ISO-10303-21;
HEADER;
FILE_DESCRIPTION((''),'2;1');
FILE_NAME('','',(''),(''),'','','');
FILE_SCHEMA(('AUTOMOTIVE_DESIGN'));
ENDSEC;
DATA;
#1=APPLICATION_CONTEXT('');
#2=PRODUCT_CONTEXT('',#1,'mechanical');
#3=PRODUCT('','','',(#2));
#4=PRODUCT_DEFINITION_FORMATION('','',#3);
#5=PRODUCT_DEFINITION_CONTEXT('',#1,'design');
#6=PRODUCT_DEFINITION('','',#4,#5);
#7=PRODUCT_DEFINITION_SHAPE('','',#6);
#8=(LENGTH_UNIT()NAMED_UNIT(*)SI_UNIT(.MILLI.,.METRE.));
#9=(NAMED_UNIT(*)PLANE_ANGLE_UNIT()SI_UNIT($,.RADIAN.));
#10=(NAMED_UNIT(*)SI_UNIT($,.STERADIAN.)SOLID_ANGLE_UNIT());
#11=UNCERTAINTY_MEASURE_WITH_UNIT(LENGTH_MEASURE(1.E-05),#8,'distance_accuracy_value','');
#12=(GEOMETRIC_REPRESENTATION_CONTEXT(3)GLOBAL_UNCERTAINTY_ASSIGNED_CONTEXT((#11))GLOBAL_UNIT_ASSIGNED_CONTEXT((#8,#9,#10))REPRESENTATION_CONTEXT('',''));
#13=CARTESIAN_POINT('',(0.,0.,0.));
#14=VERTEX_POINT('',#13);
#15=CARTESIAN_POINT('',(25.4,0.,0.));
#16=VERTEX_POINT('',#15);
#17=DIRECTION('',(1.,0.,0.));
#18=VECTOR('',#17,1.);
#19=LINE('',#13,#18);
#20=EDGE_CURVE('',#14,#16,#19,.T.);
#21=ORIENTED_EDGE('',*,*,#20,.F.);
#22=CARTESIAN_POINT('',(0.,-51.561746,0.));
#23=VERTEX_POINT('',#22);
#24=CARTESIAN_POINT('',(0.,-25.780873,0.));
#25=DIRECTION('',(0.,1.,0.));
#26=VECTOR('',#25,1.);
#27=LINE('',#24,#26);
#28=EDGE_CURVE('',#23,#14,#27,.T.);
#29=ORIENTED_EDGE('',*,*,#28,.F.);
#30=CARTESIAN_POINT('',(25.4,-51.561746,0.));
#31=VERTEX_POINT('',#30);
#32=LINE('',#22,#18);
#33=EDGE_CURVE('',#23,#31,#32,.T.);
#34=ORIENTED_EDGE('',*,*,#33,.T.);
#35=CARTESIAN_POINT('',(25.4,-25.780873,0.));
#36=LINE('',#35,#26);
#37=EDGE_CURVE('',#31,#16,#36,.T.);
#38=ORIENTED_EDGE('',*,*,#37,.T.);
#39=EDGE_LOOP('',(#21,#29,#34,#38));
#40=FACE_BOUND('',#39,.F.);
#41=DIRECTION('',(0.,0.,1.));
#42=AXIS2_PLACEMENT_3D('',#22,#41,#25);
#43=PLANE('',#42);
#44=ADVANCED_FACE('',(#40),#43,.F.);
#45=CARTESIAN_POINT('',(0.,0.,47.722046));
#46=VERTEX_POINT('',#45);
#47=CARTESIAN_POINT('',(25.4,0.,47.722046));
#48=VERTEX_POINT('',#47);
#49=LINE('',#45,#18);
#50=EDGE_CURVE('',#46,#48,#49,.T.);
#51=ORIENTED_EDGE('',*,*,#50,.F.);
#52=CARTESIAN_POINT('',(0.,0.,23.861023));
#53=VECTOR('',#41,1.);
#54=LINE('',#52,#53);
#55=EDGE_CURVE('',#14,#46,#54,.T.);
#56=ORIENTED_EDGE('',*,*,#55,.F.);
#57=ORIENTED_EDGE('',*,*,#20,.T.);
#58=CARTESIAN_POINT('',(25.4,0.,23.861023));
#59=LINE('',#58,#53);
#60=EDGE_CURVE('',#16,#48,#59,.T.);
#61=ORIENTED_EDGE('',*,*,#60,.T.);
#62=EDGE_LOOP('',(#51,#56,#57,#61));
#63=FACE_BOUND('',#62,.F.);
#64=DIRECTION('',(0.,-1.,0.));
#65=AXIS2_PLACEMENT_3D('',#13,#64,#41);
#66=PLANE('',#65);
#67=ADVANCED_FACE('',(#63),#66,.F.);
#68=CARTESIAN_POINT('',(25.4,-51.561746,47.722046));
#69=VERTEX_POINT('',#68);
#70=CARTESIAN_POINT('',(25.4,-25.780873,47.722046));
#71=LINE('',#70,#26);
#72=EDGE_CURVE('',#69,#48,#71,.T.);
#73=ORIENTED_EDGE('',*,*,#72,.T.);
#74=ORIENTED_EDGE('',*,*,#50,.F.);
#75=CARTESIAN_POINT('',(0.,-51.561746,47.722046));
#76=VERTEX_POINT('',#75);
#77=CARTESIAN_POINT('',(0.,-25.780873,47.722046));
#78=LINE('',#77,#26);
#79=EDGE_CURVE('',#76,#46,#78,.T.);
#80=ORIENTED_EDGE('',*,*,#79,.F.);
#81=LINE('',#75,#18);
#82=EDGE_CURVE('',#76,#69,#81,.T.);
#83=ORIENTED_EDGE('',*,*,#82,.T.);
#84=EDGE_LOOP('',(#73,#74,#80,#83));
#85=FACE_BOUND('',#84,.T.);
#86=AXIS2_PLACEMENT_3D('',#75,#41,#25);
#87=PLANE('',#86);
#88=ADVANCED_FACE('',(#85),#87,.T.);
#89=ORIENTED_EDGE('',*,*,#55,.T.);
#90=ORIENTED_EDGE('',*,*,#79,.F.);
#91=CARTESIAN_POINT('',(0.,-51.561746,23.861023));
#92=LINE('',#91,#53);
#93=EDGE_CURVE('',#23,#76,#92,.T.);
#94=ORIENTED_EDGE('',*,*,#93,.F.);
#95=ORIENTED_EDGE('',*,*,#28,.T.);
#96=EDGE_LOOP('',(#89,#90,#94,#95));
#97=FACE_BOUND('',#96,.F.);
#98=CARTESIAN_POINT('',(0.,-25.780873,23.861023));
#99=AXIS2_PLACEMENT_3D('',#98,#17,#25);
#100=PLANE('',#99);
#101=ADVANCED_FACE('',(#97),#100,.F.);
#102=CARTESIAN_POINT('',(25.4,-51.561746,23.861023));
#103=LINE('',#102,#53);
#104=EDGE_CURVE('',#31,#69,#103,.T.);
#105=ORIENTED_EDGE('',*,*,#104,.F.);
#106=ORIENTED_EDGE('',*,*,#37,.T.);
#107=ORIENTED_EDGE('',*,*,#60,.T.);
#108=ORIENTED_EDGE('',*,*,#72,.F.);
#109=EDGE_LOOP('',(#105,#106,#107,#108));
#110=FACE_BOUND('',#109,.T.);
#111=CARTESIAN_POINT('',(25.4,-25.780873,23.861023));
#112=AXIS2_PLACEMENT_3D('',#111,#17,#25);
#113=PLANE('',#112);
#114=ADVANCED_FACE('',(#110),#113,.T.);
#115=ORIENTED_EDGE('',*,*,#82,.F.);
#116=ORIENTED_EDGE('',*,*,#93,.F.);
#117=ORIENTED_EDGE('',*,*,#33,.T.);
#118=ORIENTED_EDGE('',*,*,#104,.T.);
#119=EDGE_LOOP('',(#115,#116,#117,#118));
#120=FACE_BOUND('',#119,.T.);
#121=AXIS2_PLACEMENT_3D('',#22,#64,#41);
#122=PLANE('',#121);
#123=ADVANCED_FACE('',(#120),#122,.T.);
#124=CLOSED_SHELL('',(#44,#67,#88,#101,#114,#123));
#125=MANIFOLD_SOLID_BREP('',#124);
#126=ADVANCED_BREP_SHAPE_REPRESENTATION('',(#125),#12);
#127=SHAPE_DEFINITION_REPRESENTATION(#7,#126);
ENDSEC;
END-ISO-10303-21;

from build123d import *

# Parameters (mm, degrees)
F0_W     = 51.561747
F0_H     = 47.722045
F1_DEPTH = 25.4
F2_R     = 8.425321
F3_DEPTH = 25.4
F4_R     = 6.442108
F5_DEPTH = 25.4


with BuildPart() as f1:
    # F0 (on Right) → F1 (new body)
    with BuildSketch(Plane.YZ):
        with Locations((-25.780873, 23.861023)):
            Rectangle(F0_W, F0_H)
    extrude(amount=F1_DEPTH)

    # F2 (on face) → F3 (join)
    with BuildSketch(Plane.YZ.offset(25.4)):
        with Locations((-22.977702, 24.120137)):
            Circle(F2_R)
    extrude(amount=-F3_DEPTH)

    # F4 (on face) → F5 (cut)
    with BuildSketch(Plane.YZ.offset(25.4)):
        with Locations((-25.679082, 25.233068)):
            Circle(F4_R)
    extrude(amount=F5_DEPTH, mode=Mode.SUBTRACT)


solid = f1.part
